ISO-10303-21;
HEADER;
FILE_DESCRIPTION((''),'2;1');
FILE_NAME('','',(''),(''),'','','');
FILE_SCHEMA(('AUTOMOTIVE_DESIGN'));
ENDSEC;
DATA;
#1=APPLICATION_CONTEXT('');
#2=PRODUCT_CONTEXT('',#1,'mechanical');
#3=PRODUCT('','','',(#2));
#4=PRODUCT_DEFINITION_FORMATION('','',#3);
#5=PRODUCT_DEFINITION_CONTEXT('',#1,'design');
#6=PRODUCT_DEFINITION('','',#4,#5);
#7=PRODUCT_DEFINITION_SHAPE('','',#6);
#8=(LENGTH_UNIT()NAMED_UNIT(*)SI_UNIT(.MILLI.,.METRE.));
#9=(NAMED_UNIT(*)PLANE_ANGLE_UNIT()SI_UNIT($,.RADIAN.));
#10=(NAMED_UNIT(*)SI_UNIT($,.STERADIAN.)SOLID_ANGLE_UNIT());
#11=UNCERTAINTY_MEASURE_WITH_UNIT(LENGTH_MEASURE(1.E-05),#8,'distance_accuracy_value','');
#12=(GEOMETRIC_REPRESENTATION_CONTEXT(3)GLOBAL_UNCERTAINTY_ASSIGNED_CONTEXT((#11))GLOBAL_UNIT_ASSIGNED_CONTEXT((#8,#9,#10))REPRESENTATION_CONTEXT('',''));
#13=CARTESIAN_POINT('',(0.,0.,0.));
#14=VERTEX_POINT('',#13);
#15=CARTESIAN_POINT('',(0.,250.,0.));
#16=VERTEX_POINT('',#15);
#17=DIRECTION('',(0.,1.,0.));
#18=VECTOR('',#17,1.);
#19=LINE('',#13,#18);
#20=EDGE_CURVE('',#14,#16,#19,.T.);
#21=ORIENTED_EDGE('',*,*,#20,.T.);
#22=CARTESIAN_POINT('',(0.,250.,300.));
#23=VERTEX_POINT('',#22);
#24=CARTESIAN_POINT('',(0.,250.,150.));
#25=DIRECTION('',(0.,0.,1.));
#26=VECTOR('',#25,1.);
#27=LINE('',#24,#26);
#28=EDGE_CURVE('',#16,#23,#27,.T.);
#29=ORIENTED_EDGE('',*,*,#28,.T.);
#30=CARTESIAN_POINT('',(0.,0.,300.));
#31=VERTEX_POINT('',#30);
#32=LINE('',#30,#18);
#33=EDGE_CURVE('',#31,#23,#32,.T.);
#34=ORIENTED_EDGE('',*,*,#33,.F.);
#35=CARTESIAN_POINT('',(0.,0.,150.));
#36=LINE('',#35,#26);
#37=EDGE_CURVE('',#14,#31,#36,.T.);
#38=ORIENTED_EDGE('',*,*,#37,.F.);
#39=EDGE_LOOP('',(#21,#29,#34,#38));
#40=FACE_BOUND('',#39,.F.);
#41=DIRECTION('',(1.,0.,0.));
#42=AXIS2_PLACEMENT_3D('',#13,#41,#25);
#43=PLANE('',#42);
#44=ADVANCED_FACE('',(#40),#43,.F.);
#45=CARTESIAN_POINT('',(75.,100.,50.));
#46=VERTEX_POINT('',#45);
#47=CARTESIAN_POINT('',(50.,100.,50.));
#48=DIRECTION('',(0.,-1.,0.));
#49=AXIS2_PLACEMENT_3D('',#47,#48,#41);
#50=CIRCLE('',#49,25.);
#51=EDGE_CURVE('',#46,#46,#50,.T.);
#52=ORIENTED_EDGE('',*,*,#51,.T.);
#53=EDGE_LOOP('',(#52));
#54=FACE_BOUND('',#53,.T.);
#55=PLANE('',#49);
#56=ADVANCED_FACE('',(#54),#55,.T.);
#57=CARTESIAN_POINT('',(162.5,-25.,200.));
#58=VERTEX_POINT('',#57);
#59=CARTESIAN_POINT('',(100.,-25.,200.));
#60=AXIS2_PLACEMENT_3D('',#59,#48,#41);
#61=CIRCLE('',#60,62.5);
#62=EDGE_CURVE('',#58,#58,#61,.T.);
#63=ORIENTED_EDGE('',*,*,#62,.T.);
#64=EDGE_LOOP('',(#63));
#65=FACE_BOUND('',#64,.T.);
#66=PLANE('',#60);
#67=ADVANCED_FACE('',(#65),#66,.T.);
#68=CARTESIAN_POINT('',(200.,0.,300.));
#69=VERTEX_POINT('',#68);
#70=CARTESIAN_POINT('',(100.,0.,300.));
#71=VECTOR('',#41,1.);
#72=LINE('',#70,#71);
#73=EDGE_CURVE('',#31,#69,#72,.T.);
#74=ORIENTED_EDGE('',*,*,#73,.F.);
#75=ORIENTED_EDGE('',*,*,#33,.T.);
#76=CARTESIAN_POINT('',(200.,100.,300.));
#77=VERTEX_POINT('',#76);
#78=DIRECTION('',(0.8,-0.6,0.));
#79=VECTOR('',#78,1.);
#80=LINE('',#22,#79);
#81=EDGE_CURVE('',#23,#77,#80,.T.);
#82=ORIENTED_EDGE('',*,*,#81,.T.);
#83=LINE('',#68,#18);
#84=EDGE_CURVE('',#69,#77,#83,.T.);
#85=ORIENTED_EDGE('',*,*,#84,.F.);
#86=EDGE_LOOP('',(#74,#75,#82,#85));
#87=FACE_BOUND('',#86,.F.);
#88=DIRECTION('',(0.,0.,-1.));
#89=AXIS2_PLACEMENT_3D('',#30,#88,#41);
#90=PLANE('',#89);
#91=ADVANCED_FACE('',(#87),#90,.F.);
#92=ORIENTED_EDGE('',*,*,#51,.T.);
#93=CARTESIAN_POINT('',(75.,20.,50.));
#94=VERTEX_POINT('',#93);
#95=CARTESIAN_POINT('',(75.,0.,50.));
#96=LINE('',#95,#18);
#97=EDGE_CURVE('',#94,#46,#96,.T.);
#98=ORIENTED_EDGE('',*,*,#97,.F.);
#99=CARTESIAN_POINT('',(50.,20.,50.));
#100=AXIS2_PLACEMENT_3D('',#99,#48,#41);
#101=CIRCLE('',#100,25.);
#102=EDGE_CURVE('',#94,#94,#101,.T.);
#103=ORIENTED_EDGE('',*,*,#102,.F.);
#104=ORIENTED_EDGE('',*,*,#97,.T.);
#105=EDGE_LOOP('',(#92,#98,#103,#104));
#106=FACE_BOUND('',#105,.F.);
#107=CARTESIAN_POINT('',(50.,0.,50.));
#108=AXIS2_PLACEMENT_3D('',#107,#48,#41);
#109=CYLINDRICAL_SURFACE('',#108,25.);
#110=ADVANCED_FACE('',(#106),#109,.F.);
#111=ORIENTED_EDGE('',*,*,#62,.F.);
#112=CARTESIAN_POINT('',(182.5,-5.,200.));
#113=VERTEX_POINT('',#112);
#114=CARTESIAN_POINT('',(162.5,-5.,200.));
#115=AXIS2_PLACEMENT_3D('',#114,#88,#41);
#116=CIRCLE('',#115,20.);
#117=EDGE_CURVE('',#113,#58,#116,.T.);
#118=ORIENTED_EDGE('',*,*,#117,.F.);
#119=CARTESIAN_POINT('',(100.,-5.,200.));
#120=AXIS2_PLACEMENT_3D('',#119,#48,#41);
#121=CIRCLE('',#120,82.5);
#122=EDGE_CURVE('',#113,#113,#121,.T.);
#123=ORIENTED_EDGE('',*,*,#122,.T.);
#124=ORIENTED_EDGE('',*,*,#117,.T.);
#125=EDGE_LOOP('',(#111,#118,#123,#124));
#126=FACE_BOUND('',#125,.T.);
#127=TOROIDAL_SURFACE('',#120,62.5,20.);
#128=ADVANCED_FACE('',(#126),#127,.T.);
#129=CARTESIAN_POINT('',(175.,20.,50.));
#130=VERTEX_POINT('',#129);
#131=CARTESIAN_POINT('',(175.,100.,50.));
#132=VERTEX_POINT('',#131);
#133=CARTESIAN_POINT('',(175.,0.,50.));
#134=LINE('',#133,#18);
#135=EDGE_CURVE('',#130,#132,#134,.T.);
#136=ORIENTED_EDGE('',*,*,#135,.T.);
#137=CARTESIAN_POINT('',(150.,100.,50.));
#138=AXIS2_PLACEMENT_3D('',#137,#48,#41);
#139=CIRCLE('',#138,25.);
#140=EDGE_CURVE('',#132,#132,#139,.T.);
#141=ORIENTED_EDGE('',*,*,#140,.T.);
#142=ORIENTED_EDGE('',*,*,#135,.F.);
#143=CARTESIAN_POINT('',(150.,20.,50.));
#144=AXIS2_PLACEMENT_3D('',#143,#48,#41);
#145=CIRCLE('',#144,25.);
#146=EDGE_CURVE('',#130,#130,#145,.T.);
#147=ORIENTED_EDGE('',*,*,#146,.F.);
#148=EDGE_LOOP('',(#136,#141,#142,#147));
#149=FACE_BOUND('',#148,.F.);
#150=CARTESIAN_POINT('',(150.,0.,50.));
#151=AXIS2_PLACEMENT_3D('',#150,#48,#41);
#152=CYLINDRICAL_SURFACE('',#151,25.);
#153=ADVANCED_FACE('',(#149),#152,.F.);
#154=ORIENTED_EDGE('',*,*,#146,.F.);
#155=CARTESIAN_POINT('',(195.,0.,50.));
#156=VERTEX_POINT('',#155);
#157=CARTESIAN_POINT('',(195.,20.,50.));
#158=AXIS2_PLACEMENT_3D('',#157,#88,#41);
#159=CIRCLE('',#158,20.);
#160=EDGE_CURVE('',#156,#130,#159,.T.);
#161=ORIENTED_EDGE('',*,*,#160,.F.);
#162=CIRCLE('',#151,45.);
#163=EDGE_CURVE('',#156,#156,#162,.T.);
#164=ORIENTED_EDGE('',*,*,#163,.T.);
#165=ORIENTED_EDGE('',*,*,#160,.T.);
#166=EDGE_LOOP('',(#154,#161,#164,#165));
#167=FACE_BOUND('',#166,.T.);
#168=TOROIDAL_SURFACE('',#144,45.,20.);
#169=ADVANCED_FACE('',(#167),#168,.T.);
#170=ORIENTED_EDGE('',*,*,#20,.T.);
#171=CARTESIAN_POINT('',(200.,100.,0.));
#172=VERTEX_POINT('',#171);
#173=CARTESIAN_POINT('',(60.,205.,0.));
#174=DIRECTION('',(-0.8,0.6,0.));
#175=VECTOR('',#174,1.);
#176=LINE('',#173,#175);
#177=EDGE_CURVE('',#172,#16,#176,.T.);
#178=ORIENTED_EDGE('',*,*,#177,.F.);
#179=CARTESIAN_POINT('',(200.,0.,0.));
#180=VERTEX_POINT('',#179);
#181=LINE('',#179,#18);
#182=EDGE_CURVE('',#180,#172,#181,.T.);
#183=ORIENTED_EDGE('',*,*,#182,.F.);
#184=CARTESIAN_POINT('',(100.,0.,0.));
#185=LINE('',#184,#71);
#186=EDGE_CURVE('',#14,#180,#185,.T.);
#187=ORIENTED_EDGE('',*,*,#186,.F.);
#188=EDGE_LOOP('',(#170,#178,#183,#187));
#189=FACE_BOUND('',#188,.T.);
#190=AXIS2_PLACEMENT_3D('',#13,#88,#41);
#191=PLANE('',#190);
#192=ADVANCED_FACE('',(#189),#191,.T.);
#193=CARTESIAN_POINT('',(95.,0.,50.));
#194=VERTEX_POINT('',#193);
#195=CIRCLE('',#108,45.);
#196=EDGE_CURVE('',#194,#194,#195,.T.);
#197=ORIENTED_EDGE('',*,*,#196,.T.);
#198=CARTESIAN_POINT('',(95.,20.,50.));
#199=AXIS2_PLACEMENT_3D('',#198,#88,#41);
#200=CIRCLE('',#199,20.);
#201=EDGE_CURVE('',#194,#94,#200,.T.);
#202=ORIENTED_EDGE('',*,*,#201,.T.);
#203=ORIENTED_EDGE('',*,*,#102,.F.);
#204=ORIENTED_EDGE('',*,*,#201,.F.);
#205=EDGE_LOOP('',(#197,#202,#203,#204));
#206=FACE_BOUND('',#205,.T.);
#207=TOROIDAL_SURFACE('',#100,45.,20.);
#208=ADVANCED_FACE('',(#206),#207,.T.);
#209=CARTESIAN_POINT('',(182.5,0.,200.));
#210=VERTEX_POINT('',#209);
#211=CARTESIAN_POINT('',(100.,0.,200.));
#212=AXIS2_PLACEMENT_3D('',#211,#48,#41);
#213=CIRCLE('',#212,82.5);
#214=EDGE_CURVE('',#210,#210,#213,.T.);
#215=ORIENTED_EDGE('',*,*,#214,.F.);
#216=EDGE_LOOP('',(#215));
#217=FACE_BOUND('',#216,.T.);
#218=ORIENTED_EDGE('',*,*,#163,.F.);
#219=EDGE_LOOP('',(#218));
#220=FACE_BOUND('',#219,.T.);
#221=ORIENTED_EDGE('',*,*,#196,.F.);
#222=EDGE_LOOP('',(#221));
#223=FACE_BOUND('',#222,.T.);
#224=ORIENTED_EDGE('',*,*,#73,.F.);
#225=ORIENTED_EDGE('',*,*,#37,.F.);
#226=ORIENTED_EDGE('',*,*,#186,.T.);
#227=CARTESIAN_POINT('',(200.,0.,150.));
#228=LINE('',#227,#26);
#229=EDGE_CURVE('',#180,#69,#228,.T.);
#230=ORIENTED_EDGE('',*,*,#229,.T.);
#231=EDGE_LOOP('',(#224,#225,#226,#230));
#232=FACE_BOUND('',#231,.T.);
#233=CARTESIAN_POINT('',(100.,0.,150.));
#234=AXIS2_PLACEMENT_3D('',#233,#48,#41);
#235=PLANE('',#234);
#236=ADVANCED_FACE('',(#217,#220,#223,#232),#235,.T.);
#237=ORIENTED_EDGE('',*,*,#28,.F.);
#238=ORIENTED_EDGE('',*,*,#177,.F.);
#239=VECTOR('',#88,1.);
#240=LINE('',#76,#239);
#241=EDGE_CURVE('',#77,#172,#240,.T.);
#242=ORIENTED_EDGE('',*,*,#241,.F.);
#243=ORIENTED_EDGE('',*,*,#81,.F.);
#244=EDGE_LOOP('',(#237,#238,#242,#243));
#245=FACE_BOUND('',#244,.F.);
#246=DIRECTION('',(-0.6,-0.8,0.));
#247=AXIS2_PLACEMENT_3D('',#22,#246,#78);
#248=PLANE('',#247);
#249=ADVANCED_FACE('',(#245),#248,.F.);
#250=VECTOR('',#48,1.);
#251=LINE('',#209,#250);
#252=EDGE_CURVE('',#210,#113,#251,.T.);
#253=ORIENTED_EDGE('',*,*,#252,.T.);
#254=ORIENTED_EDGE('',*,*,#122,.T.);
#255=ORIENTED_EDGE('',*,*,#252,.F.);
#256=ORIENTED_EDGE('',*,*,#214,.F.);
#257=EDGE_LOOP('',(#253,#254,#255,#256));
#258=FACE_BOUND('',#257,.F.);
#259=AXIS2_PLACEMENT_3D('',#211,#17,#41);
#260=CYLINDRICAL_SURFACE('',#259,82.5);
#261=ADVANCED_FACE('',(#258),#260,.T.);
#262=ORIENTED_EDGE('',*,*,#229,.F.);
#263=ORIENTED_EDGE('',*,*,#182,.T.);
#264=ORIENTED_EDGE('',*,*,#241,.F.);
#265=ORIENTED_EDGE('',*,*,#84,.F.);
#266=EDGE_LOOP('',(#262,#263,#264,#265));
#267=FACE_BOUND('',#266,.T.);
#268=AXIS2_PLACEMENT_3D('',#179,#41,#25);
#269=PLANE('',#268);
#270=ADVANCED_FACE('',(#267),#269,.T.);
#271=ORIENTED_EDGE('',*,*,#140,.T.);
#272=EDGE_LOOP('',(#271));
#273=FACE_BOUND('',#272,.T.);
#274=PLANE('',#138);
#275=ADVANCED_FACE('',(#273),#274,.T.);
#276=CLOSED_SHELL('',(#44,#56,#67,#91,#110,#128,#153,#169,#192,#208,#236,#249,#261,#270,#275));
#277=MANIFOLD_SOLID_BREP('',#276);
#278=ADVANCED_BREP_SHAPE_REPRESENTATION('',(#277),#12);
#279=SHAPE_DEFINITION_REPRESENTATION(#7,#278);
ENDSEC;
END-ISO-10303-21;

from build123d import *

# Parameters (mm, degrees)
F0_W     = 200
F0_H     = 300
F1_DEPTH = 250
F2_R     = 82.5
F3_DEPTH = 25
F5_DEPTH = 300.001
F6_R     = 25
F7_DEPTH = 100
F8_R     = 20


with BuildPart() as f1:
    # F0 (on Front) → F1 (new body)
    with BuildSketch(Plane.XZ):
        with Locations((100, 150)):
            Rectangle(F0_W, F0_H)
    extrude(amount=-F1_DEPTH)

    # F2 (on face) → F3 (join)
    with BuildSketch(Plane.XZ):
        with Locations((100, 200)):
            Circle(F2_R)
    extrude(amount=F3_DEPTH)

    # F4 (on face) → F5 (cut, through all)
    with BuildSketch(Plane.XY.offset(300)):
        Polygon((200, 250), (0, 250), (200, 100), align=None)
    extrude(amount=-F5_DEPTH, mode=Mode.SUBTRACT)

    # F6 (on face) → F7 (cut)
    with BuildSketch(Plane.XZ):
        with Locations((150, 50)):
            Circle(F6_R)
        with Locations((50, 50)):
            Circle(F6_R)
    extrude(amount=-F7_DEPTH, mode=Mode.SUBTRACT)

    # F8
    f8_edges = [f1.edges().sort_by_distance(p)[0] for p in [
        (25, 0, 50),
        (125, 0, 50),
        (17.5, -25, 200),
    ]]
    fillet(f8_edges, radius=F8_R)


solid = f1.part
